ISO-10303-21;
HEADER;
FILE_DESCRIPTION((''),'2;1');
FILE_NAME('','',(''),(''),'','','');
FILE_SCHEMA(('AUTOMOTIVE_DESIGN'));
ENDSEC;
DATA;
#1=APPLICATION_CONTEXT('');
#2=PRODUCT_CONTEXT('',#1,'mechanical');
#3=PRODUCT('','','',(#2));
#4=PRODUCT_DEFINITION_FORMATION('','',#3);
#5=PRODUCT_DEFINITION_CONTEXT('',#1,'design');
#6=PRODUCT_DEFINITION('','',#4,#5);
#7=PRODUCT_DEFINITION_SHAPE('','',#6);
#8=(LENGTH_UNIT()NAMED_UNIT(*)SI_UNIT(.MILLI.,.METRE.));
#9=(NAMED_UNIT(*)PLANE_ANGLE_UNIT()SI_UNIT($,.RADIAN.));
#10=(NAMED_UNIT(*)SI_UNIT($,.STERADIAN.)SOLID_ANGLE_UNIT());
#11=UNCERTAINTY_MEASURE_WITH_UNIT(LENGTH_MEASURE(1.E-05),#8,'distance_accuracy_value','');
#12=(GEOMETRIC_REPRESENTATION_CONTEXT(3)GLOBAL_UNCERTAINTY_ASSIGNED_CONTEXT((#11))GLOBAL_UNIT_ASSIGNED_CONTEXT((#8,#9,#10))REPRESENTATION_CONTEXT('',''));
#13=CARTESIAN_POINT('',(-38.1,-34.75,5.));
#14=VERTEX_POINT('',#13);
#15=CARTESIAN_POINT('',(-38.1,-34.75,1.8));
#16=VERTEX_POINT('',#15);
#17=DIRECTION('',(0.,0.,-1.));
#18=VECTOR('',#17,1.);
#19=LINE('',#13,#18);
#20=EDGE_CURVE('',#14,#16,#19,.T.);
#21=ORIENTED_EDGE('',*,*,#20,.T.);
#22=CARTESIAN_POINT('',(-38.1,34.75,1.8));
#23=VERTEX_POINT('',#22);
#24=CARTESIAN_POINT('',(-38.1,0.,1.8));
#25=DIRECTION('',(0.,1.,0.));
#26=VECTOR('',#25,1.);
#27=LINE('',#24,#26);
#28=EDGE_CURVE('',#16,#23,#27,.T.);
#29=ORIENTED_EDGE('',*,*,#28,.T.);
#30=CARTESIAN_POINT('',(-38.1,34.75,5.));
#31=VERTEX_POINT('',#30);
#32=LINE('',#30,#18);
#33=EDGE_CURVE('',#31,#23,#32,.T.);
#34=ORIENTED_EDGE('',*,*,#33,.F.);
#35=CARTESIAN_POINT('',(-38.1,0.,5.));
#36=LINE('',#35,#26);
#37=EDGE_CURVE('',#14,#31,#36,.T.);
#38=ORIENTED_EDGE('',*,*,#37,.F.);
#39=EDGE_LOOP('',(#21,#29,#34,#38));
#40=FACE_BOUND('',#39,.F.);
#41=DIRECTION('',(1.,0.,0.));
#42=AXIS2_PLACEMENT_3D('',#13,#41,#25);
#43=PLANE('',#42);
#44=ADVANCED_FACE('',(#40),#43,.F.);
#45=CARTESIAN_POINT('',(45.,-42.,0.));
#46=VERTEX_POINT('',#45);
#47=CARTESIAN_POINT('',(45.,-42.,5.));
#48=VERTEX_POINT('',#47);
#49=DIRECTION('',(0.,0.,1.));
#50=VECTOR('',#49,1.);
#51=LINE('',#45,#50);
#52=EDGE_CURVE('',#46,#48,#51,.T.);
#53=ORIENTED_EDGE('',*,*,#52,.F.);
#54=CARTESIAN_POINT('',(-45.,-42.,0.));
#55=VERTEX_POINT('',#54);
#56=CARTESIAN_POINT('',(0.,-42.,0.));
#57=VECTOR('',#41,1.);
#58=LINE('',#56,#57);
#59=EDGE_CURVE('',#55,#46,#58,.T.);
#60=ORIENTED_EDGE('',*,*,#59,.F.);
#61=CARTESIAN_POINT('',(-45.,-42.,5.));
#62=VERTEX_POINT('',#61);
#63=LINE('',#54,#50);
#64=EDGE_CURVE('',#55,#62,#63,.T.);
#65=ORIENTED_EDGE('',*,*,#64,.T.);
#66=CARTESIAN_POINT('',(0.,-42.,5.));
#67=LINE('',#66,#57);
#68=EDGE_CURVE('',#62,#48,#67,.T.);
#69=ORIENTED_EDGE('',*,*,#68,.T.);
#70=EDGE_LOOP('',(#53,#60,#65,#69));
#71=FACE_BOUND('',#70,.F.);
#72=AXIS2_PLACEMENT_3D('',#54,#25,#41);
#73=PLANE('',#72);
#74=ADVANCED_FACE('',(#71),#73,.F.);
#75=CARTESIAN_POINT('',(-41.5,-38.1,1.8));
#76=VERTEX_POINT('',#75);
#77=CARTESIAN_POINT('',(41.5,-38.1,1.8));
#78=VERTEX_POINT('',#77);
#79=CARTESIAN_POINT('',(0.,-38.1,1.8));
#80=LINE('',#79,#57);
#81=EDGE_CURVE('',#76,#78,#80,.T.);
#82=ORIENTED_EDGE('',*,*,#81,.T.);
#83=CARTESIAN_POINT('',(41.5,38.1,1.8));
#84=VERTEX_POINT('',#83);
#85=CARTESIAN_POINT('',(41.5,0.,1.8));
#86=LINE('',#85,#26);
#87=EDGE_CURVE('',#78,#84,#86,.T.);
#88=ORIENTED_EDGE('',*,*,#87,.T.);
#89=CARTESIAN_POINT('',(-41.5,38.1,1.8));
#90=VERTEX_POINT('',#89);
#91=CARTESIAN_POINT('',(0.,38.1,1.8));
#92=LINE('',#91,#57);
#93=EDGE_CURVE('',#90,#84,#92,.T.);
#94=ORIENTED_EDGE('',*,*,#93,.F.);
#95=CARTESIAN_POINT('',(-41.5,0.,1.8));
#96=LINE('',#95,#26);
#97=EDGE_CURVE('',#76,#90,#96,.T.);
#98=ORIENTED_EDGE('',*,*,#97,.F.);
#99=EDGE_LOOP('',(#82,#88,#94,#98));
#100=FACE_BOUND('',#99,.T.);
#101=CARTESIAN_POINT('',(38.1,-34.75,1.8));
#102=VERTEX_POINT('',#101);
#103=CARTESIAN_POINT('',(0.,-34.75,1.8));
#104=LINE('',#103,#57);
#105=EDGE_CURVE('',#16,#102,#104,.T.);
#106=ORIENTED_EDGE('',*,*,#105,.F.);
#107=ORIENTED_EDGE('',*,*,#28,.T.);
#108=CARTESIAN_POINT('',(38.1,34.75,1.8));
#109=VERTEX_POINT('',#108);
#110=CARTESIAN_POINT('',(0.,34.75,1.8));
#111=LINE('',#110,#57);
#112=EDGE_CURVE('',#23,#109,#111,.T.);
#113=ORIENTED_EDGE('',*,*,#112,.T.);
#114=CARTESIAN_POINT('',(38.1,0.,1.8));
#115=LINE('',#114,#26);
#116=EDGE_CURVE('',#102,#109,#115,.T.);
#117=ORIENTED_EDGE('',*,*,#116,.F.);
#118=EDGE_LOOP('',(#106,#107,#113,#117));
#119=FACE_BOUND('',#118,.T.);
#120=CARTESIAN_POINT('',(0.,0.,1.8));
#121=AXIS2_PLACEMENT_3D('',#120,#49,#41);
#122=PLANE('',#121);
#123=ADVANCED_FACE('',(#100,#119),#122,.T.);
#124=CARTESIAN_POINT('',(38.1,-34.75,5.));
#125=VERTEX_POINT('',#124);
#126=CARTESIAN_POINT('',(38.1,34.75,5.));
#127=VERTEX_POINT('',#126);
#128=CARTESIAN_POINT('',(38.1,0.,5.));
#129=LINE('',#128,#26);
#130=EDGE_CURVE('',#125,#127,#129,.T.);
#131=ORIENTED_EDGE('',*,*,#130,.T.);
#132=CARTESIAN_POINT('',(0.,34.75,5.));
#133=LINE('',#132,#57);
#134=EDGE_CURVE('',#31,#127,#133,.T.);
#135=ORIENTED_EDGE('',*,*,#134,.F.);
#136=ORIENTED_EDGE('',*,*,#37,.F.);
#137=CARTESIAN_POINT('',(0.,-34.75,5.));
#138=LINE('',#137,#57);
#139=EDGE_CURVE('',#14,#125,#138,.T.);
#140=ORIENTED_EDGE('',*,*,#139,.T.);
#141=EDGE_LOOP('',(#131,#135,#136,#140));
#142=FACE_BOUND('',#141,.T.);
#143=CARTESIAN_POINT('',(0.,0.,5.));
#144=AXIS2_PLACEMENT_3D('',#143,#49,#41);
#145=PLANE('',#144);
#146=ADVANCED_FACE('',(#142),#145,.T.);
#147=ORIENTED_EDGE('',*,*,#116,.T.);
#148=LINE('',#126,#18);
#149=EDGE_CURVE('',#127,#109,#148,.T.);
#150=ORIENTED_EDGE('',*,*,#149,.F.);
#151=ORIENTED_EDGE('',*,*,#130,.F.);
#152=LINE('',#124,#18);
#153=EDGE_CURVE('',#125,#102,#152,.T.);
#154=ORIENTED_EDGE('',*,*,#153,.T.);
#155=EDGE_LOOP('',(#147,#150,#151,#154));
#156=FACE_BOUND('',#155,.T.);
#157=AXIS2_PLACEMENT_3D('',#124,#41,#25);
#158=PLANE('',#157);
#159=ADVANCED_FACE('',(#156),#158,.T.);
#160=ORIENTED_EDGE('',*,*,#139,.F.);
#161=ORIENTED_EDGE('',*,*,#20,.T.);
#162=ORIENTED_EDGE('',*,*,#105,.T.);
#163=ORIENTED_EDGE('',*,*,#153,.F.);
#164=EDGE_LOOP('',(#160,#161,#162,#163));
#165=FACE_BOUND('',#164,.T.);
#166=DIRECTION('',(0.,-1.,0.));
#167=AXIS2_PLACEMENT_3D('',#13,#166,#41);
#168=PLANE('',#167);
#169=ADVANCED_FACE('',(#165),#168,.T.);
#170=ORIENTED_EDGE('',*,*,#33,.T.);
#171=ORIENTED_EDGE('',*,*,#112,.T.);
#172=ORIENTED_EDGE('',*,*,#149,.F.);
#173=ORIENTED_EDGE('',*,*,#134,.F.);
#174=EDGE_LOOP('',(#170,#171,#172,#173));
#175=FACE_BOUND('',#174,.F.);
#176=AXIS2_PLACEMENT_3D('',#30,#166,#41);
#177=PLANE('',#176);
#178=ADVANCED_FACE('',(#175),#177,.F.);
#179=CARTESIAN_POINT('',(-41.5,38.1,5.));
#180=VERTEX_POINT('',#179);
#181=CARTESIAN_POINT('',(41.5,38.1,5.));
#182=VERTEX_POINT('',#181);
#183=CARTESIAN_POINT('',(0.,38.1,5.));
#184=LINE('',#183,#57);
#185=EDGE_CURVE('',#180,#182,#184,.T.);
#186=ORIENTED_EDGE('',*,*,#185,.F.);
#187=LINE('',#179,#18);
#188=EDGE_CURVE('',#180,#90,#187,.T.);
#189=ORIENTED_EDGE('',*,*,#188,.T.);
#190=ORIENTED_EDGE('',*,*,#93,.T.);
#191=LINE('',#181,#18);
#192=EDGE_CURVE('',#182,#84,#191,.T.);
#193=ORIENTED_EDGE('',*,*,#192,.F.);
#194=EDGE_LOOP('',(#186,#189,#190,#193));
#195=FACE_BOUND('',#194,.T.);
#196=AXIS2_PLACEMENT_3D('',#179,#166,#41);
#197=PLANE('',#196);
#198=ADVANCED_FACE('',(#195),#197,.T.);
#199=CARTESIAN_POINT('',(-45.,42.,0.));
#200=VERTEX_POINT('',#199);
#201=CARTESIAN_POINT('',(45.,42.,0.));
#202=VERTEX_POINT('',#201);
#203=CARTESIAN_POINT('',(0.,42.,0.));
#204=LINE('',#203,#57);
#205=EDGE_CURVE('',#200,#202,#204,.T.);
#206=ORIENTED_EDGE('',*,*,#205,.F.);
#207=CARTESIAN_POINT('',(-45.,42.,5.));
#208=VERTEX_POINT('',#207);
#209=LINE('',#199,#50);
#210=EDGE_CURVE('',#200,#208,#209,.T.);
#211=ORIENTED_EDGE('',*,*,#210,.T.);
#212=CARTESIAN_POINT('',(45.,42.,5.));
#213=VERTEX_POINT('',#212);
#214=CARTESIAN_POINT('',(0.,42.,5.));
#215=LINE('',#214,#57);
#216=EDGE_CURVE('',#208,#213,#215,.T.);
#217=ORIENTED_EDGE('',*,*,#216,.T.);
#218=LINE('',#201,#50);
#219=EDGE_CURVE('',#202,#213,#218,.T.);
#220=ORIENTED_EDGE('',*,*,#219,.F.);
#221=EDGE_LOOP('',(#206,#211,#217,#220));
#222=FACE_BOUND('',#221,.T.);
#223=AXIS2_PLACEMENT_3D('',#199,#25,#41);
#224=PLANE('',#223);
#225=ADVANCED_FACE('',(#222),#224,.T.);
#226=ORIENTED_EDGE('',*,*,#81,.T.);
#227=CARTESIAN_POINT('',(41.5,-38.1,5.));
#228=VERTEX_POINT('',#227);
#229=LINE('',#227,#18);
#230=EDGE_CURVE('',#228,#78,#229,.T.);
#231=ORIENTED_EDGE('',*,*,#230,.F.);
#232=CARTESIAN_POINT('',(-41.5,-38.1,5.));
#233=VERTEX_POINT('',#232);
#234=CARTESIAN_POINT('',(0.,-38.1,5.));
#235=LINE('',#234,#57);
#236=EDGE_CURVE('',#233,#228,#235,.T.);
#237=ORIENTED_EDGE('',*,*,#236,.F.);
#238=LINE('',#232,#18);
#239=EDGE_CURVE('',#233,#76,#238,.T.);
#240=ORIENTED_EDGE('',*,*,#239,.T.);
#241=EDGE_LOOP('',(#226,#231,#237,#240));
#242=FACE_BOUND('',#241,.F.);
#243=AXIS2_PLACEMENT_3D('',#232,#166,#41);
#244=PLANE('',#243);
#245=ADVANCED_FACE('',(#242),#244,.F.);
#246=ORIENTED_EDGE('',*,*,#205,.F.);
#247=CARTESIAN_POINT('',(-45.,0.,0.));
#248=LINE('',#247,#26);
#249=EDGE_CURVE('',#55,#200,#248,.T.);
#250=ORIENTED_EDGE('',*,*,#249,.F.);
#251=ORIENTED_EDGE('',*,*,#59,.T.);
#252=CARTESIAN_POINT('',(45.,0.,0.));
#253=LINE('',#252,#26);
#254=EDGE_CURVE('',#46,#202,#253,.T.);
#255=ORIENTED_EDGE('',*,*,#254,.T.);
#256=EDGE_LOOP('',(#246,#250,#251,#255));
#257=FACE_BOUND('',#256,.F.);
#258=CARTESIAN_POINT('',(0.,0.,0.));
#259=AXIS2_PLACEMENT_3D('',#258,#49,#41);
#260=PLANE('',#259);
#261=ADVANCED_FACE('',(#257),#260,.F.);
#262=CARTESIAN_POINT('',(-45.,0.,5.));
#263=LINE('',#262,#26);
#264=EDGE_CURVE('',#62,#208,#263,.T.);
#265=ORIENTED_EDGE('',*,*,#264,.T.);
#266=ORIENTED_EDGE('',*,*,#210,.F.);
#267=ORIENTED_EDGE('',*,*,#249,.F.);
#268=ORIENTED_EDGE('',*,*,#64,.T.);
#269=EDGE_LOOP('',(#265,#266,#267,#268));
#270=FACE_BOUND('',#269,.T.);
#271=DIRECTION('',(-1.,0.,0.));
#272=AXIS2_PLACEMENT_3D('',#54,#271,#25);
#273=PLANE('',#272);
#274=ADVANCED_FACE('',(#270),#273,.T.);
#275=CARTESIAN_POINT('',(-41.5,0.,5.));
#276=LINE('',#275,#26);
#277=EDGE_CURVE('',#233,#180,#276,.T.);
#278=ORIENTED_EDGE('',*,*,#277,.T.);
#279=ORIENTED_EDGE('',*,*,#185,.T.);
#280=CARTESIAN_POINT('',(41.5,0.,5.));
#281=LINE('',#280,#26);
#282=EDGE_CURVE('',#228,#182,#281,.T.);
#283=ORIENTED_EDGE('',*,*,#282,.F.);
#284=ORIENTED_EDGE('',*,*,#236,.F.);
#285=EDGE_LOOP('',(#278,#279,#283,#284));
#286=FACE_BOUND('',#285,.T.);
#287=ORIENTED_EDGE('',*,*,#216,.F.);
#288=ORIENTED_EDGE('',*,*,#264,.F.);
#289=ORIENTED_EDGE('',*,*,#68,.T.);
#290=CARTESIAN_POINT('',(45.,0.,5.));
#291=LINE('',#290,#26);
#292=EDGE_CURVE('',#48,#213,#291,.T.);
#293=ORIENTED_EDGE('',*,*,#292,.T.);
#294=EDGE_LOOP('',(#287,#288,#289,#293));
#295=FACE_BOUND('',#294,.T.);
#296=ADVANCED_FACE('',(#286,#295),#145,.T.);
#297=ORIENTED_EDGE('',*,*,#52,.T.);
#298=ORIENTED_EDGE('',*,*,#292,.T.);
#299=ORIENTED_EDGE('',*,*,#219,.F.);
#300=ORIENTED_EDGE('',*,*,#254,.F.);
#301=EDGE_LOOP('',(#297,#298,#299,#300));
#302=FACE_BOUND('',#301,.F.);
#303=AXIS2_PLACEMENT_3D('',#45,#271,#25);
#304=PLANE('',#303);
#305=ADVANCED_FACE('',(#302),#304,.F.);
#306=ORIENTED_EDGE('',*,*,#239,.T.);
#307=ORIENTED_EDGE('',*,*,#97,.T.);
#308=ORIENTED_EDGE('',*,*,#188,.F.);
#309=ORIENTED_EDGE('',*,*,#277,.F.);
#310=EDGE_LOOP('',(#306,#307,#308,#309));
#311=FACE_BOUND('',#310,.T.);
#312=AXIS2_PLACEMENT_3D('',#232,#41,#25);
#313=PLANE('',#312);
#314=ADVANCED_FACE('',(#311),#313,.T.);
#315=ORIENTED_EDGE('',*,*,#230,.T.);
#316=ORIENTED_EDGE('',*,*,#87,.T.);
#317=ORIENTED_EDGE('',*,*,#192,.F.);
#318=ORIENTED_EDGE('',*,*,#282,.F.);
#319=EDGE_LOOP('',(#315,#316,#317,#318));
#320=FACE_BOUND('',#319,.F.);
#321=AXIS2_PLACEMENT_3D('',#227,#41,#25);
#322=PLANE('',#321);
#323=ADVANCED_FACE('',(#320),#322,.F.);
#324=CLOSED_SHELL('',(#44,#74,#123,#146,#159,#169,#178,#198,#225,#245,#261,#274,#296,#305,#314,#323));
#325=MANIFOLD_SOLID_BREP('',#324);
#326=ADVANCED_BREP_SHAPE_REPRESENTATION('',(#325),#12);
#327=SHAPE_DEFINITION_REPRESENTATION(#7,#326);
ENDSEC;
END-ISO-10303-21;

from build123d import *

# Parameters (mm, degrees)
F0_W     = 90
F0_H     = 84
F1_DEPTH = 5
F2_W     = 83
F2_H     = 76.2
F2_W_2   = 76.2
F2_H_2   = 69.5
F3_DEPTH = 3.2


with BuildPart() as f1:
    # F0 (on Top) → F1 (new body)
    with BuildSketch(Plane.XY):
        Rectangle(F0_W, F0_H)
    extrude(amount=F1_DEPTH)

    # F2 (on face) → F3 (cut)
    with BuildSketch(Plane.XY.offset(5)):
        Rectangle(F2_W, F2_H)
        Rectangle(F2_W_2, F2_H_2, mode=Mode.SUBTRACT)
    extrude(amount=-F3_DEPTH, mode=Mode.SUBTRACT)


solid = f1.part
